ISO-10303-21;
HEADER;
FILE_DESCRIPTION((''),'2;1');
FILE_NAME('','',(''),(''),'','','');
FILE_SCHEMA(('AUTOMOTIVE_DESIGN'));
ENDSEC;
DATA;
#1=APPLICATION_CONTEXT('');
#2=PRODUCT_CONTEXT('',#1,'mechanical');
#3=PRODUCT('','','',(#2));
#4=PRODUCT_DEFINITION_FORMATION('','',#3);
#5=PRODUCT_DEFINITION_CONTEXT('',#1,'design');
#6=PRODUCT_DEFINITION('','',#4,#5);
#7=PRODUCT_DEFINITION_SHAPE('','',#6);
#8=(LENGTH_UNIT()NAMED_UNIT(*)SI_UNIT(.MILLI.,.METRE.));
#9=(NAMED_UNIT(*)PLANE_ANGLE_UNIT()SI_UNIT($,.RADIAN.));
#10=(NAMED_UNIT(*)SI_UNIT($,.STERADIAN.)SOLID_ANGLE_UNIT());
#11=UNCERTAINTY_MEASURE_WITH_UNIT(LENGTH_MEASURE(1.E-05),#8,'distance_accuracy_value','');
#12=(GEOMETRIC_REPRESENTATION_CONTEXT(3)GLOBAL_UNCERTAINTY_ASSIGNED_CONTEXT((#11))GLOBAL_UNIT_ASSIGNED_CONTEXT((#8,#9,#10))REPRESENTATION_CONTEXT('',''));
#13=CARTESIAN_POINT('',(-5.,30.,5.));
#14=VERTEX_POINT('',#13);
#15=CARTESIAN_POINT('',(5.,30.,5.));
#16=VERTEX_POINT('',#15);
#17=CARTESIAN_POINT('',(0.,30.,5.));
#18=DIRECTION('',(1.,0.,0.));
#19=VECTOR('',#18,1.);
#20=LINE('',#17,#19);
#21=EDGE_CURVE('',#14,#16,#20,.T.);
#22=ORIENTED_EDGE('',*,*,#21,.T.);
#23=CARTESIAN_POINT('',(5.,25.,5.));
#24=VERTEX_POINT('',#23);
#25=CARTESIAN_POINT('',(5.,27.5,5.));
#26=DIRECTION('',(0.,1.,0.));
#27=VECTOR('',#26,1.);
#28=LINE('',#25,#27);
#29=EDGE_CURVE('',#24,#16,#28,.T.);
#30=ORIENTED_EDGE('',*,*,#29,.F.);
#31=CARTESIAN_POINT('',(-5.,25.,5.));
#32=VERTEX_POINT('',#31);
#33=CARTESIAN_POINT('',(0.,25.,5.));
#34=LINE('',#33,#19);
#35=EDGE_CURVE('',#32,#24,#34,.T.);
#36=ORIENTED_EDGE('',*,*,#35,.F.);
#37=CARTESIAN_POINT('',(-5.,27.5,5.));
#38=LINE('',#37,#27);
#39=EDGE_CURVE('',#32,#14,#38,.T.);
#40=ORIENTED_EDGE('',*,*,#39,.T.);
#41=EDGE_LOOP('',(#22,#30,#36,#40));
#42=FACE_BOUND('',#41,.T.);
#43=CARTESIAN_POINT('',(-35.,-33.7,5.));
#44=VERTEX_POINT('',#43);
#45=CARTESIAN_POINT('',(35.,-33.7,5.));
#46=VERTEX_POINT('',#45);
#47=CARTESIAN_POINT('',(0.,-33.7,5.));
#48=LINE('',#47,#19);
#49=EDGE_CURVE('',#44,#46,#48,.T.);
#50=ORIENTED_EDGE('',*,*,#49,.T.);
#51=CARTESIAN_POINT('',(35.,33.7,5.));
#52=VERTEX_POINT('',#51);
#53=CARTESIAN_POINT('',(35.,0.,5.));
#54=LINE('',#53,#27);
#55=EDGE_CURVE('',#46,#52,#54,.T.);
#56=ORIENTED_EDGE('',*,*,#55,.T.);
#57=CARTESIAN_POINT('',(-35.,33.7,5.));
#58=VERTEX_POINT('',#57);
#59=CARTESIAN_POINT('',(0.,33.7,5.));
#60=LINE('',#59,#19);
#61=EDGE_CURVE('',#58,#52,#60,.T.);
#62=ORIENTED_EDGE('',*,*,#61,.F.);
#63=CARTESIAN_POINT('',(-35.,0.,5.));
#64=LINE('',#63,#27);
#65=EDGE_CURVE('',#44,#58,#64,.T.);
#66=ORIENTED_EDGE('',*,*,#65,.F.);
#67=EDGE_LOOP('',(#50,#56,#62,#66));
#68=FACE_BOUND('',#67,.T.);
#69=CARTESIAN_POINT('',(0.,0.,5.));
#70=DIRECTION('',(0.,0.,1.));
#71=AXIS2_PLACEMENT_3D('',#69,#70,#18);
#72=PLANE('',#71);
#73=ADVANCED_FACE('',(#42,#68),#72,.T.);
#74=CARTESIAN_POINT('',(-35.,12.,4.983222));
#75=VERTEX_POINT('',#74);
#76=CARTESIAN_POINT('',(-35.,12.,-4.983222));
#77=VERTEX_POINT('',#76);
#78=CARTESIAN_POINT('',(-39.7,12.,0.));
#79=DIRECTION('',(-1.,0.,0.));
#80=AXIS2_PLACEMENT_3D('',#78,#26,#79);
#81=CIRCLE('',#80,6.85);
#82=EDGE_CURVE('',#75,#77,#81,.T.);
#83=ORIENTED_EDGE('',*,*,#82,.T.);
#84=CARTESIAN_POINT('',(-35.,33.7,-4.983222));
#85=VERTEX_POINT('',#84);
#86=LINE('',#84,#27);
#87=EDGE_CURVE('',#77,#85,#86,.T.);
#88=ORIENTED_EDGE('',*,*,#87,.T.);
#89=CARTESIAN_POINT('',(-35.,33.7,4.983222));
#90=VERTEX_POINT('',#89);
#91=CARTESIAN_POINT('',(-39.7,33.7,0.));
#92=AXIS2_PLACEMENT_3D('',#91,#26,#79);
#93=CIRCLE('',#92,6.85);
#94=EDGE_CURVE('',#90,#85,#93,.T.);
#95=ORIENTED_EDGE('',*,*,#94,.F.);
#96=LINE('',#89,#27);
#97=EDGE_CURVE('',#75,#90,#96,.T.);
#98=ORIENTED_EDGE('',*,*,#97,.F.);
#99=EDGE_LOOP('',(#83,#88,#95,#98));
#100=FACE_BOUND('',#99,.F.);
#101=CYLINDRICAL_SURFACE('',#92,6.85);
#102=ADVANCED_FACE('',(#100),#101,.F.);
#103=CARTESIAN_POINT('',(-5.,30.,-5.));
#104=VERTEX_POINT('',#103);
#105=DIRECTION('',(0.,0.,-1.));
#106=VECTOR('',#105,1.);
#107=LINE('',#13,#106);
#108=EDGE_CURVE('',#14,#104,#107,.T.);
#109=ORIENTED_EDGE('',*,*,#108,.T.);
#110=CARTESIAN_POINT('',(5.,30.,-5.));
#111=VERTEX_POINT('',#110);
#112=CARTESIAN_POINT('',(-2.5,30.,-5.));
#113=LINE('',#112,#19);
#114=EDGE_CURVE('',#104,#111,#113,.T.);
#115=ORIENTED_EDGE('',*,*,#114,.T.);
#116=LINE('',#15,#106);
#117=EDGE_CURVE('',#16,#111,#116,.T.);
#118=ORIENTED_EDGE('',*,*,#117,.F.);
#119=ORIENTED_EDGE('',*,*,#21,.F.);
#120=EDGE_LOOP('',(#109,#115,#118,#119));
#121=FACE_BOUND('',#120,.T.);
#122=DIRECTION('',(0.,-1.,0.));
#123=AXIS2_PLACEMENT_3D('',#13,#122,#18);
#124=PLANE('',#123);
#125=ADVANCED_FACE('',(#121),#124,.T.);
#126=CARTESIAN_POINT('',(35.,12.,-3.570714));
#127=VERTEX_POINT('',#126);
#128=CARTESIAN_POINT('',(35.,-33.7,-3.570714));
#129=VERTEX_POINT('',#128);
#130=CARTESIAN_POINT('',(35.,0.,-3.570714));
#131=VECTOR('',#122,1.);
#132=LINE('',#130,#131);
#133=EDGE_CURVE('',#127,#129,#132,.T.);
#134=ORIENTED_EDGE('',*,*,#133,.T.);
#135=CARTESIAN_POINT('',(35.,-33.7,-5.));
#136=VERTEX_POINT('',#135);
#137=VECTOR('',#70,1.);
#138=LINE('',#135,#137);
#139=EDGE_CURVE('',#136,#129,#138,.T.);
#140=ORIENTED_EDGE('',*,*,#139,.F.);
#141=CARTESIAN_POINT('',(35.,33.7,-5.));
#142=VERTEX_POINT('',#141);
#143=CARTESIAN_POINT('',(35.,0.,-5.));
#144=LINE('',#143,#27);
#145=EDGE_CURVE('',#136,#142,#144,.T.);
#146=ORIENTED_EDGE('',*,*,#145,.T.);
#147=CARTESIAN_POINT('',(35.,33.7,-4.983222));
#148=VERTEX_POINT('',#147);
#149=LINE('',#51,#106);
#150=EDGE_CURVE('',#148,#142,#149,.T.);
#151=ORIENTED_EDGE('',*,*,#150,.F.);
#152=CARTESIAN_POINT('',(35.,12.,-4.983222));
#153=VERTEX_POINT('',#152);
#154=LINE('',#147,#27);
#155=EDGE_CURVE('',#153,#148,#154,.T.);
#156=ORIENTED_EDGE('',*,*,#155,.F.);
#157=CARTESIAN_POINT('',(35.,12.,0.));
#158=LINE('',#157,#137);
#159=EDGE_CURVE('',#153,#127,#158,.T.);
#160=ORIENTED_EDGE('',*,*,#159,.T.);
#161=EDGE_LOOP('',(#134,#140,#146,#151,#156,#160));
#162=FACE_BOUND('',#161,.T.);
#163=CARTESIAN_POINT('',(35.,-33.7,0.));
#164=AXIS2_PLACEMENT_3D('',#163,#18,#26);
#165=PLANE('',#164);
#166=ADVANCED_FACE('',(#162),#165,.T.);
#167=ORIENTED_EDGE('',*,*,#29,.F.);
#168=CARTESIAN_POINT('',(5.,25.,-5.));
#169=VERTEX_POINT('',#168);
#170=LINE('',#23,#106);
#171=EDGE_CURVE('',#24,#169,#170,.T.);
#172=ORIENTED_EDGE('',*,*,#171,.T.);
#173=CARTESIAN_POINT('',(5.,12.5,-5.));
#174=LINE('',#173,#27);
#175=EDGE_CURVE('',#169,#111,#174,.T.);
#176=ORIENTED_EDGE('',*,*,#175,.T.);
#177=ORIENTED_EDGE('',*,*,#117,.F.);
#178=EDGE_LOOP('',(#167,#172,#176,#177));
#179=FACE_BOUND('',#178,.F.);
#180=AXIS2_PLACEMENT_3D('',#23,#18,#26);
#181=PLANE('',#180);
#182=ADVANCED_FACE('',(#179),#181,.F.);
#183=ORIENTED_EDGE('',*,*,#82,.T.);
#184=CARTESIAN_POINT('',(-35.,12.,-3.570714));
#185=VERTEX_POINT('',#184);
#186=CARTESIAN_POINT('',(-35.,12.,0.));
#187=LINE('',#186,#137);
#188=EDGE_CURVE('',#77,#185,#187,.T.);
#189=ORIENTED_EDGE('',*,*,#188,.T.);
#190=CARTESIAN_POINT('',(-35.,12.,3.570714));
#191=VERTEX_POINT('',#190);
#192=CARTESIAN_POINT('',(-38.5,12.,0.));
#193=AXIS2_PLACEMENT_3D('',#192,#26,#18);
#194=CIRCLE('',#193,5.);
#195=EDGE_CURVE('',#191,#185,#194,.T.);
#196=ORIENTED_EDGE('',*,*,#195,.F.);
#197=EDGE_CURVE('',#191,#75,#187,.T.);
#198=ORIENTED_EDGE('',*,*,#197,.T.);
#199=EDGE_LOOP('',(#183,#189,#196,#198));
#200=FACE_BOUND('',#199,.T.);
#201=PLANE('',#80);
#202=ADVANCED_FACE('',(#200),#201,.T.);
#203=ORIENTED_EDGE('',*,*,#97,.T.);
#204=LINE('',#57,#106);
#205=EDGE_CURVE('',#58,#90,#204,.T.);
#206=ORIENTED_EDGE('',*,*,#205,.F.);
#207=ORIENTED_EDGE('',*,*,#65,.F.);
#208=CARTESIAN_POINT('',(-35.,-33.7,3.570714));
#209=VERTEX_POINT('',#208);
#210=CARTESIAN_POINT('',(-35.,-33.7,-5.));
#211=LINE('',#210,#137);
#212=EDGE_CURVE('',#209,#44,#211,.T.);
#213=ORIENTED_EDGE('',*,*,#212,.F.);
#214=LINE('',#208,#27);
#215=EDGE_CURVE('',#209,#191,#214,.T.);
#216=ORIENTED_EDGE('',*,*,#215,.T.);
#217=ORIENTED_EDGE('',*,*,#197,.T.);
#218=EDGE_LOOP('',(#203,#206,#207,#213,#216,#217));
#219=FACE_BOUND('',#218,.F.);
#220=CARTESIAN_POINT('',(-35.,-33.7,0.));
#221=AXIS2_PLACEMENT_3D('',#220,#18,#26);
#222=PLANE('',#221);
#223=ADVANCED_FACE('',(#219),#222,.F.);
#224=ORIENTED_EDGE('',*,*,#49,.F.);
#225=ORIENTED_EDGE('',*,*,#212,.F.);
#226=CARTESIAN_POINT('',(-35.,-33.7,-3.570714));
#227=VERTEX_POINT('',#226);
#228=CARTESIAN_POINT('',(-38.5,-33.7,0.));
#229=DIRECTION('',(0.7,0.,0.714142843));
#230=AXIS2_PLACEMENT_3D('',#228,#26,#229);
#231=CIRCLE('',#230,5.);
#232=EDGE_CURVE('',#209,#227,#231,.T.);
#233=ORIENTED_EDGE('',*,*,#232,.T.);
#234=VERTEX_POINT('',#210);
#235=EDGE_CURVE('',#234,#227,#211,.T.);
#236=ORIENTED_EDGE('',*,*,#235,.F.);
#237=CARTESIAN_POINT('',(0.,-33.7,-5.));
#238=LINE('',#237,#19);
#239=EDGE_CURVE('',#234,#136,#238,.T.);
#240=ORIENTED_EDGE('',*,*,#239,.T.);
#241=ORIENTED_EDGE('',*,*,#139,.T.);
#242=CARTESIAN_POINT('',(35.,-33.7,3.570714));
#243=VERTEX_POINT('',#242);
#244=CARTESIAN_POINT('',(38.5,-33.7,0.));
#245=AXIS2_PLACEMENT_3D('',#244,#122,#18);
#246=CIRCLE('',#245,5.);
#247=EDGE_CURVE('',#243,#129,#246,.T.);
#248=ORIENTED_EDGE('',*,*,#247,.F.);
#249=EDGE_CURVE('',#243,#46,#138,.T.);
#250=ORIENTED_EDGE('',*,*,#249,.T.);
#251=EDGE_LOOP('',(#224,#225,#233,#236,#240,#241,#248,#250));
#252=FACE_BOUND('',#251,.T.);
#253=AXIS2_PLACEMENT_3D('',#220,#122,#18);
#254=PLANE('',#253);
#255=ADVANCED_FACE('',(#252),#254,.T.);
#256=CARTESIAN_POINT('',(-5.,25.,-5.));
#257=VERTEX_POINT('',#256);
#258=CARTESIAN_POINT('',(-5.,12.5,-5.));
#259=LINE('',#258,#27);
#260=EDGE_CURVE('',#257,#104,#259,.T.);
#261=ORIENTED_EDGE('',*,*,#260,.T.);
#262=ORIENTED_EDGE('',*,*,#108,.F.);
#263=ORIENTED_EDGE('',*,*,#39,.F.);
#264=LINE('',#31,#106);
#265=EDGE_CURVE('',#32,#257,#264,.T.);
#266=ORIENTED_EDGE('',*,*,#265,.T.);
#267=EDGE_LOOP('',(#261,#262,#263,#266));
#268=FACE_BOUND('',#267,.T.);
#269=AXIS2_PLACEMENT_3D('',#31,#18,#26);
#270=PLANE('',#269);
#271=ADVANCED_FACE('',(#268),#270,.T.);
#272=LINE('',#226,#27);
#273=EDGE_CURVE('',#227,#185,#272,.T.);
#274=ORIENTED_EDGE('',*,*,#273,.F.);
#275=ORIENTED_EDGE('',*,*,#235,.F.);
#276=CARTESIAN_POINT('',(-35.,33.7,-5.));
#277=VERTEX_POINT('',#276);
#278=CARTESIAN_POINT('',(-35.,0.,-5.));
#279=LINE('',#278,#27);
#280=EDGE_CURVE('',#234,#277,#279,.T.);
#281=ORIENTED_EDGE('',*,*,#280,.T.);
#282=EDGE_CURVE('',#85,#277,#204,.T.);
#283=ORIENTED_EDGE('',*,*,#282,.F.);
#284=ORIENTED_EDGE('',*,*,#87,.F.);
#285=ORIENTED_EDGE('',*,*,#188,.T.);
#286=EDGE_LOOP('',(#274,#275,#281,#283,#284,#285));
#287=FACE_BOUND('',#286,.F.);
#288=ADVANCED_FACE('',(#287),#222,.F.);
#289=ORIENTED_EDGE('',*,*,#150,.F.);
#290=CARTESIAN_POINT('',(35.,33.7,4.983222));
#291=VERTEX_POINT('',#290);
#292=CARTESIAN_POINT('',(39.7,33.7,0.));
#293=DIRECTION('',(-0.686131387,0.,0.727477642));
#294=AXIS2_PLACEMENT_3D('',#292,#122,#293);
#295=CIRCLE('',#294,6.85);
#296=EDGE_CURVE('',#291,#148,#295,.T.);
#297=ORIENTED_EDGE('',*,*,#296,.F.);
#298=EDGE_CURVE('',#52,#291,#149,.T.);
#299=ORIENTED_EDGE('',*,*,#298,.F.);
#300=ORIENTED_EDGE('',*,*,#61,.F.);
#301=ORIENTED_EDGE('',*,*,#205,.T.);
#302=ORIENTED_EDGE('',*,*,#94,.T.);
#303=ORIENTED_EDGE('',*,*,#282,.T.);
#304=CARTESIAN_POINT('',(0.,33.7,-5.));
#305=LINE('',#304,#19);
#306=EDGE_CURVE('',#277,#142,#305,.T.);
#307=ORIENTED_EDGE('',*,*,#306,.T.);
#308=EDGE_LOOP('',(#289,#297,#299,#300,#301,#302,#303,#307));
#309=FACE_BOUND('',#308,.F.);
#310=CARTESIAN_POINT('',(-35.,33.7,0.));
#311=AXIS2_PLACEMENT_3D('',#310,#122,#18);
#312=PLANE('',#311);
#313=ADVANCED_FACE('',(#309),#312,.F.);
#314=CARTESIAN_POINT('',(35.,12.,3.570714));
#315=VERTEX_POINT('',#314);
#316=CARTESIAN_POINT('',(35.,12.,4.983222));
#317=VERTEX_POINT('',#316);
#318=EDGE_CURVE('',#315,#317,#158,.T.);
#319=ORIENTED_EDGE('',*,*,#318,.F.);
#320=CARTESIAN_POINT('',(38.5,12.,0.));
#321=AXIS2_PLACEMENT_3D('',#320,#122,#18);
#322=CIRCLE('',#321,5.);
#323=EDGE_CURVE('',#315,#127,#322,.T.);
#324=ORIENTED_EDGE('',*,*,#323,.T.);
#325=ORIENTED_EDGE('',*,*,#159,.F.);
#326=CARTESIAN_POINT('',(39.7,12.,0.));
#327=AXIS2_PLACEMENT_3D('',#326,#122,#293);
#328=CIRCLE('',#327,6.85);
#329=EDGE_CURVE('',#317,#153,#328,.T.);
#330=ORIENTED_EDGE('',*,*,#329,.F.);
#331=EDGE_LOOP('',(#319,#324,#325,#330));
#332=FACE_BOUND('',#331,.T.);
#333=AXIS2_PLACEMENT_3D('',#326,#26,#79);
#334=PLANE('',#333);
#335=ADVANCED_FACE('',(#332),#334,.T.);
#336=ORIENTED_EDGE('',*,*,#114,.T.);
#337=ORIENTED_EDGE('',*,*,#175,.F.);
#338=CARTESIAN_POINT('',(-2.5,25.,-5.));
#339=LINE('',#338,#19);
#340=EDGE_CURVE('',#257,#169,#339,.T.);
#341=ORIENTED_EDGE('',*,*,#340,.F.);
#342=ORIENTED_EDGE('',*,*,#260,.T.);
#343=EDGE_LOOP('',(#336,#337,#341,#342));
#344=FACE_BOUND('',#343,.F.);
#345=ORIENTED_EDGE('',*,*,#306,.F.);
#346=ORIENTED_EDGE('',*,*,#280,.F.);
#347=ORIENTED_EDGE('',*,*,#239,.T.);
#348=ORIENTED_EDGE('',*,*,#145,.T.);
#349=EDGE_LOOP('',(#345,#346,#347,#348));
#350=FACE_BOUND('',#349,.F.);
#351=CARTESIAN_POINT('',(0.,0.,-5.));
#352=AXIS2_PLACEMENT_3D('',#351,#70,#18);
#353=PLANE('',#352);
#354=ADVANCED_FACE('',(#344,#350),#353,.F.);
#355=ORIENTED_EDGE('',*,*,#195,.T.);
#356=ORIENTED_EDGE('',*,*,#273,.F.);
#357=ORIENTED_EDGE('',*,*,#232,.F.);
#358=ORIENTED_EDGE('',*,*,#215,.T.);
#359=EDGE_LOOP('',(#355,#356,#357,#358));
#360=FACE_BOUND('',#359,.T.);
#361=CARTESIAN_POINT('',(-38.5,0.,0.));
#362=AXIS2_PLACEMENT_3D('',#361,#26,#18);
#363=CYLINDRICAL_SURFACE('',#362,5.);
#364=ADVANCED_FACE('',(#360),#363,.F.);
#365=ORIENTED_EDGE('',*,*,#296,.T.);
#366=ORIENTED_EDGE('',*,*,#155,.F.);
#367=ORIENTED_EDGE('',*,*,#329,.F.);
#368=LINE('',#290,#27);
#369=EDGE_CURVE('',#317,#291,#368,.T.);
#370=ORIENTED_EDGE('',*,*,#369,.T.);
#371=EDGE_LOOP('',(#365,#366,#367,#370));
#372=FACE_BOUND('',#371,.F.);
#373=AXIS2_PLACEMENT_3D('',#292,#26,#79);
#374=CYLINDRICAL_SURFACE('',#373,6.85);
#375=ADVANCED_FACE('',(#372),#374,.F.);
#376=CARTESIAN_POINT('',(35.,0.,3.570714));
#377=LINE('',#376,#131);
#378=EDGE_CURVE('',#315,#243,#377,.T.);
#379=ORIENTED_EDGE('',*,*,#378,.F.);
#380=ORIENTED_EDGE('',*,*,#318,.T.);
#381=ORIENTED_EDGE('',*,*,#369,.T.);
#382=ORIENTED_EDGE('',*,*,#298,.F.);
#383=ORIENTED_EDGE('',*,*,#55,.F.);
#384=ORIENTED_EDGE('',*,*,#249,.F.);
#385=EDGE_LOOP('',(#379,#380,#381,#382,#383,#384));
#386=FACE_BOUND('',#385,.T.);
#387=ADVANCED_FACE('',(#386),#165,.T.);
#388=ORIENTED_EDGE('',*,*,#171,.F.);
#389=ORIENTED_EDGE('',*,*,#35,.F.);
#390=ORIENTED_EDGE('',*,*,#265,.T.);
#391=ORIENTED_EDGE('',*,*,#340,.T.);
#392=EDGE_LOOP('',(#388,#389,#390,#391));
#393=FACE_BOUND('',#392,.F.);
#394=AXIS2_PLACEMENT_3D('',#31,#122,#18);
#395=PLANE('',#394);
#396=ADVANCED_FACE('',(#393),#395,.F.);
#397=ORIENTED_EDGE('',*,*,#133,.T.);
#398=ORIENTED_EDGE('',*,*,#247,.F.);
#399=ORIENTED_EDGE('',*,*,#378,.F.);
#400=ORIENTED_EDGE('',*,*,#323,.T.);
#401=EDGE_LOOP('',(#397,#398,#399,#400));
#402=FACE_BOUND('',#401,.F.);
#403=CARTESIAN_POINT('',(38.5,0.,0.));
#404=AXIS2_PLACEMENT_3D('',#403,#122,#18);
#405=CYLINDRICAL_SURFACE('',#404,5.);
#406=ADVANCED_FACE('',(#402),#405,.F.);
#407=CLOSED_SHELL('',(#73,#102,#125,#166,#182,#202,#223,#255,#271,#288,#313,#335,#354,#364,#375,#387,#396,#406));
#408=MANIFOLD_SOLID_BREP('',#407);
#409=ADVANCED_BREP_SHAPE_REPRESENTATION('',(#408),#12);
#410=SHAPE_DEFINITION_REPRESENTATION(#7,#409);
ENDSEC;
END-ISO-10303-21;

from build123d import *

# Parameters (mm, degrees)
SKETCH001_R     = 5
PAD001_DEPTH    = 35
SKETCH_W        = 70
SKETCH_H        = 67.4
PAD_DEPTH       = 5
SKETCH002_W     = 10
SKETCH002_H     = 5
POCKET_DEPTH    = 10.001
SKETCH003_R     = 6.85
POCKET001_DEPTH = 21.7


with BuildPart() as pad001:
    # Sketch001 → Pad001 (new body, symmetric)
    with BuildSketch(Plane.XZ):
        with Locations((-38.5, 0)):
            Circle(SKETCH001_R)
        with Locations((38.5, 0)):
            Circle(SKETCH001_R)
    extrude(amount=PAD001_DEPTH, both=True)


with BuildPart() as pocket001:
    # Sketch → Pad (new body, symmetric)
    with BuildSketch(Plane.XY):
        Rectangle(SKETCH_W, SKETCH_H)
    extrude(amount=PAD_DEPTH, both=True)

    # Cut: cut Pad001
    add(pad001.part, mode=Mode.SUBTRACT)

    # Sketch002 → Pocket (cut, through all)
    with BuildSketch(Plane.XY.offset(5)):
        with Locations((0, 27.5)):
            Rectangle(SKETCH002_W, SKETCH002_H)
    extrude(amount=-POCKET_DEPTH, mode=Mode.SUBTRACT)

    # Sketch003 → Pocket001 (cut)
    with BuildSketch(Plane(origin=(0, 33.7, 0), x_dir=(-1, 0, 0), z_dir=(0, 1, 0))):
        with Locations((-39.7, 0)):
            Circle(SKETCH003_R)
        with Locations((39.7, 0)):
            Circle(SKETCH003_R)
    extrude(amount=-POCKET001_DEPTH, mode=Mode.SUBTRACT)


solid = pocket001.part
